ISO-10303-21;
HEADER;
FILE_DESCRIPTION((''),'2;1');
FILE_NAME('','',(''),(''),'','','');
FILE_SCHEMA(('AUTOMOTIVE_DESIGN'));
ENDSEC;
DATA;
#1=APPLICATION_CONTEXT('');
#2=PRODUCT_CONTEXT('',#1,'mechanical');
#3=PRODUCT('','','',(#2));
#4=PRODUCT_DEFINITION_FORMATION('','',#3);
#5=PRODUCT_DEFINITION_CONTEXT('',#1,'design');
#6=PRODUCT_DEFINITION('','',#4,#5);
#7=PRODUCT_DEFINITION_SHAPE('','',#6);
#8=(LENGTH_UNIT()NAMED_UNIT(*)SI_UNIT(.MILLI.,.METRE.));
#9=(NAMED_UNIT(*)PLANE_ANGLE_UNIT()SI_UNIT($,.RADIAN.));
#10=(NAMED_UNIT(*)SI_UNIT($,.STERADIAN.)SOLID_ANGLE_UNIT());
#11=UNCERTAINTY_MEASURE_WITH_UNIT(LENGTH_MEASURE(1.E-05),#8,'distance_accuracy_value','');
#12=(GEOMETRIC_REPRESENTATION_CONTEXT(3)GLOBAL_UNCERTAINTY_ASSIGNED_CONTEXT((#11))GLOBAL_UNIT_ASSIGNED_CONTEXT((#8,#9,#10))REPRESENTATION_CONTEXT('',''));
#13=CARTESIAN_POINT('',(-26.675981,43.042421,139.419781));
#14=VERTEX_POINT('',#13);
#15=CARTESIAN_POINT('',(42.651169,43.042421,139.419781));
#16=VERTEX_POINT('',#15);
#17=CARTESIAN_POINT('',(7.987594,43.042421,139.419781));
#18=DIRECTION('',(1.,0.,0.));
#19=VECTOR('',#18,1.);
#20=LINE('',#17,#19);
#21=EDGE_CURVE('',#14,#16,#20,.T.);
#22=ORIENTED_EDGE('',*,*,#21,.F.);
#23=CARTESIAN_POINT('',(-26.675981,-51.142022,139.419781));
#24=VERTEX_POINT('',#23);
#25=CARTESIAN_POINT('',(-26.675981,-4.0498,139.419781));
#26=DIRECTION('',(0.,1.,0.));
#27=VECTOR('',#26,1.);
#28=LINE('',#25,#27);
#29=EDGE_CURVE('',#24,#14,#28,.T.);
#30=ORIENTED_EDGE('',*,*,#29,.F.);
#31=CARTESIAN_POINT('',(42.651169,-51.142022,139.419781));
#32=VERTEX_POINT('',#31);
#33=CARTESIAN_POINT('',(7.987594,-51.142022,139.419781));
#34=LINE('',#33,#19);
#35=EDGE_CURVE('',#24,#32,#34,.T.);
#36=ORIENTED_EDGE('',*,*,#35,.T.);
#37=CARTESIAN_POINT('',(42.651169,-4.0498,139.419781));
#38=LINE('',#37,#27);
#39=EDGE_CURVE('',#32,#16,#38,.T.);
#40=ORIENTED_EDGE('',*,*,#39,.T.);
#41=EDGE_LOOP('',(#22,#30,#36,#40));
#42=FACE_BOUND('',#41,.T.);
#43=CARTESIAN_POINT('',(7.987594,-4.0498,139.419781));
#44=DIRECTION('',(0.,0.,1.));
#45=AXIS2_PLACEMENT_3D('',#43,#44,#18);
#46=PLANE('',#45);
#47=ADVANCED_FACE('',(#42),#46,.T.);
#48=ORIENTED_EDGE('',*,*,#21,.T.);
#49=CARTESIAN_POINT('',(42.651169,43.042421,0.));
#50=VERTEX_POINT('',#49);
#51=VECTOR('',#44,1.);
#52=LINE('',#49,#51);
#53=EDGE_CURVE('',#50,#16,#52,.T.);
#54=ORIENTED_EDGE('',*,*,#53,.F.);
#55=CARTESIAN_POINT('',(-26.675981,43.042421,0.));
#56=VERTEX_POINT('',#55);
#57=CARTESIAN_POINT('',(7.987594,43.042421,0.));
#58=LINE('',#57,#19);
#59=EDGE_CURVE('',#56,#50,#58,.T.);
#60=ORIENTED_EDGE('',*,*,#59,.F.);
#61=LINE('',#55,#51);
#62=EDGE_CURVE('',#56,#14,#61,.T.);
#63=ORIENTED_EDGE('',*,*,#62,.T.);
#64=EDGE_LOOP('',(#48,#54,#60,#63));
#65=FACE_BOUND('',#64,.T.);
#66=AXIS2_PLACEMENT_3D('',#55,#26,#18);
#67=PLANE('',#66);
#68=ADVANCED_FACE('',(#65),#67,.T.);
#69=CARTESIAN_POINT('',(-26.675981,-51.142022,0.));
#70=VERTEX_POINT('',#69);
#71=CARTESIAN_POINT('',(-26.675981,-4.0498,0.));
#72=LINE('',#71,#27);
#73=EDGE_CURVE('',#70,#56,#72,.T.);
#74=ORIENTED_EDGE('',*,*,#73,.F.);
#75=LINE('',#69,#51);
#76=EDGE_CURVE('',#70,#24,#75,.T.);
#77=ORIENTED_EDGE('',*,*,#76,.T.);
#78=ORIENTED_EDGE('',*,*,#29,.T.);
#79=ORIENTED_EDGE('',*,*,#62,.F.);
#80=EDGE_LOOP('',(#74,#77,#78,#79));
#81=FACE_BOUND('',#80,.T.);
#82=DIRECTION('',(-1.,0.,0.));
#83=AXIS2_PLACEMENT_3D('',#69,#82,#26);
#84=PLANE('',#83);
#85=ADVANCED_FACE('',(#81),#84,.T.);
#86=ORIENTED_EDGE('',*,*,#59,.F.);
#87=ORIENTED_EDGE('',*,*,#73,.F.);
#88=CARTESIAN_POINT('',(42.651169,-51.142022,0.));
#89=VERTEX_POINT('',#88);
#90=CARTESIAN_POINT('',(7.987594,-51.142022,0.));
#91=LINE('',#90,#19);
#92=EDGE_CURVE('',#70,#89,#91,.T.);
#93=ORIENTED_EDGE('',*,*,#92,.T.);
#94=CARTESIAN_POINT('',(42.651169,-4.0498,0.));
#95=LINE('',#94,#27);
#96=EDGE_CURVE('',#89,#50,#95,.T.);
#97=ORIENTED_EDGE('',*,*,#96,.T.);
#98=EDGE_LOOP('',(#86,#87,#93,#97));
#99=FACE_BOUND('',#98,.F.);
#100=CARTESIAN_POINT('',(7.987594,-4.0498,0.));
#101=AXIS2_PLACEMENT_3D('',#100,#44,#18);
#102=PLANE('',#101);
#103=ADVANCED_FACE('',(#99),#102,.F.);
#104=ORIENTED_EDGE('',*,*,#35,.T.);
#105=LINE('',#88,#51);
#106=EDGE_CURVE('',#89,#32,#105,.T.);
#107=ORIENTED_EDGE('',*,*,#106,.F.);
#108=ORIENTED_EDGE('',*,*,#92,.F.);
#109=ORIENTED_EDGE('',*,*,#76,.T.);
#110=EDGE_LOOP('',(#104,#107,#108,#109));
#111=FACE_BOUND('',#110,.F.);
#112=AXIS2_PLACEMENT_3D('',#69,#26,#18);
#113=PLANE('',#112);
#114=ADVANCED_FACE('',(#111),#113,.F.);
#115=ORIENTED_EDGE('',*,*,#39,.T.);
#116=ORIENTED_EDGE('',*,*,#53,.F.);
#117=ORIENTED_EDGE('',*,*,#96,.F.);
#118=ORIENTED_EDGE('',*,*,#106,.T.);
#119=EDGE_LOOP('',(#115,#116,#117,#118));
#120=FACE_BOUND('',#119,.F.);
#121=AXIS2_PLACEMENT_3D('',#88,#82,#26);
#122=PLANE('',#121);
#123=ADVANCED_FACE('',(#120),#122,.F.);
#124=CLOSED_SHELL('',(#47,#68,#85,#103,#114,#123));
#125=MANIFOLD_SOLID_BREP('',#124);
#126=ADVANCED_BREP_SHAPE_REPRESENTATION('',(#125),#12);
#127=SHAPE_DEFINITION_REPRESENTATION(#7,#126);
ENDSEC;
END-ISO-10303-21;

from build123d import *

# Parameters (mm, degrees)
F1_W     = 69.3271495402
F1_H     = 94.1844433546
F2_DEPTH = 139.4197810441


with BuildPart() as f2:
    # F1 (on face) → F2 (new body)
    with BuildSketch(Plane.XY):
        with Locations((7.987594232, -4.0498003364)):
            Rectangle(F1_W, F1_H)
    extrude(amount=F2_DEPTH)


solid = f2.part
